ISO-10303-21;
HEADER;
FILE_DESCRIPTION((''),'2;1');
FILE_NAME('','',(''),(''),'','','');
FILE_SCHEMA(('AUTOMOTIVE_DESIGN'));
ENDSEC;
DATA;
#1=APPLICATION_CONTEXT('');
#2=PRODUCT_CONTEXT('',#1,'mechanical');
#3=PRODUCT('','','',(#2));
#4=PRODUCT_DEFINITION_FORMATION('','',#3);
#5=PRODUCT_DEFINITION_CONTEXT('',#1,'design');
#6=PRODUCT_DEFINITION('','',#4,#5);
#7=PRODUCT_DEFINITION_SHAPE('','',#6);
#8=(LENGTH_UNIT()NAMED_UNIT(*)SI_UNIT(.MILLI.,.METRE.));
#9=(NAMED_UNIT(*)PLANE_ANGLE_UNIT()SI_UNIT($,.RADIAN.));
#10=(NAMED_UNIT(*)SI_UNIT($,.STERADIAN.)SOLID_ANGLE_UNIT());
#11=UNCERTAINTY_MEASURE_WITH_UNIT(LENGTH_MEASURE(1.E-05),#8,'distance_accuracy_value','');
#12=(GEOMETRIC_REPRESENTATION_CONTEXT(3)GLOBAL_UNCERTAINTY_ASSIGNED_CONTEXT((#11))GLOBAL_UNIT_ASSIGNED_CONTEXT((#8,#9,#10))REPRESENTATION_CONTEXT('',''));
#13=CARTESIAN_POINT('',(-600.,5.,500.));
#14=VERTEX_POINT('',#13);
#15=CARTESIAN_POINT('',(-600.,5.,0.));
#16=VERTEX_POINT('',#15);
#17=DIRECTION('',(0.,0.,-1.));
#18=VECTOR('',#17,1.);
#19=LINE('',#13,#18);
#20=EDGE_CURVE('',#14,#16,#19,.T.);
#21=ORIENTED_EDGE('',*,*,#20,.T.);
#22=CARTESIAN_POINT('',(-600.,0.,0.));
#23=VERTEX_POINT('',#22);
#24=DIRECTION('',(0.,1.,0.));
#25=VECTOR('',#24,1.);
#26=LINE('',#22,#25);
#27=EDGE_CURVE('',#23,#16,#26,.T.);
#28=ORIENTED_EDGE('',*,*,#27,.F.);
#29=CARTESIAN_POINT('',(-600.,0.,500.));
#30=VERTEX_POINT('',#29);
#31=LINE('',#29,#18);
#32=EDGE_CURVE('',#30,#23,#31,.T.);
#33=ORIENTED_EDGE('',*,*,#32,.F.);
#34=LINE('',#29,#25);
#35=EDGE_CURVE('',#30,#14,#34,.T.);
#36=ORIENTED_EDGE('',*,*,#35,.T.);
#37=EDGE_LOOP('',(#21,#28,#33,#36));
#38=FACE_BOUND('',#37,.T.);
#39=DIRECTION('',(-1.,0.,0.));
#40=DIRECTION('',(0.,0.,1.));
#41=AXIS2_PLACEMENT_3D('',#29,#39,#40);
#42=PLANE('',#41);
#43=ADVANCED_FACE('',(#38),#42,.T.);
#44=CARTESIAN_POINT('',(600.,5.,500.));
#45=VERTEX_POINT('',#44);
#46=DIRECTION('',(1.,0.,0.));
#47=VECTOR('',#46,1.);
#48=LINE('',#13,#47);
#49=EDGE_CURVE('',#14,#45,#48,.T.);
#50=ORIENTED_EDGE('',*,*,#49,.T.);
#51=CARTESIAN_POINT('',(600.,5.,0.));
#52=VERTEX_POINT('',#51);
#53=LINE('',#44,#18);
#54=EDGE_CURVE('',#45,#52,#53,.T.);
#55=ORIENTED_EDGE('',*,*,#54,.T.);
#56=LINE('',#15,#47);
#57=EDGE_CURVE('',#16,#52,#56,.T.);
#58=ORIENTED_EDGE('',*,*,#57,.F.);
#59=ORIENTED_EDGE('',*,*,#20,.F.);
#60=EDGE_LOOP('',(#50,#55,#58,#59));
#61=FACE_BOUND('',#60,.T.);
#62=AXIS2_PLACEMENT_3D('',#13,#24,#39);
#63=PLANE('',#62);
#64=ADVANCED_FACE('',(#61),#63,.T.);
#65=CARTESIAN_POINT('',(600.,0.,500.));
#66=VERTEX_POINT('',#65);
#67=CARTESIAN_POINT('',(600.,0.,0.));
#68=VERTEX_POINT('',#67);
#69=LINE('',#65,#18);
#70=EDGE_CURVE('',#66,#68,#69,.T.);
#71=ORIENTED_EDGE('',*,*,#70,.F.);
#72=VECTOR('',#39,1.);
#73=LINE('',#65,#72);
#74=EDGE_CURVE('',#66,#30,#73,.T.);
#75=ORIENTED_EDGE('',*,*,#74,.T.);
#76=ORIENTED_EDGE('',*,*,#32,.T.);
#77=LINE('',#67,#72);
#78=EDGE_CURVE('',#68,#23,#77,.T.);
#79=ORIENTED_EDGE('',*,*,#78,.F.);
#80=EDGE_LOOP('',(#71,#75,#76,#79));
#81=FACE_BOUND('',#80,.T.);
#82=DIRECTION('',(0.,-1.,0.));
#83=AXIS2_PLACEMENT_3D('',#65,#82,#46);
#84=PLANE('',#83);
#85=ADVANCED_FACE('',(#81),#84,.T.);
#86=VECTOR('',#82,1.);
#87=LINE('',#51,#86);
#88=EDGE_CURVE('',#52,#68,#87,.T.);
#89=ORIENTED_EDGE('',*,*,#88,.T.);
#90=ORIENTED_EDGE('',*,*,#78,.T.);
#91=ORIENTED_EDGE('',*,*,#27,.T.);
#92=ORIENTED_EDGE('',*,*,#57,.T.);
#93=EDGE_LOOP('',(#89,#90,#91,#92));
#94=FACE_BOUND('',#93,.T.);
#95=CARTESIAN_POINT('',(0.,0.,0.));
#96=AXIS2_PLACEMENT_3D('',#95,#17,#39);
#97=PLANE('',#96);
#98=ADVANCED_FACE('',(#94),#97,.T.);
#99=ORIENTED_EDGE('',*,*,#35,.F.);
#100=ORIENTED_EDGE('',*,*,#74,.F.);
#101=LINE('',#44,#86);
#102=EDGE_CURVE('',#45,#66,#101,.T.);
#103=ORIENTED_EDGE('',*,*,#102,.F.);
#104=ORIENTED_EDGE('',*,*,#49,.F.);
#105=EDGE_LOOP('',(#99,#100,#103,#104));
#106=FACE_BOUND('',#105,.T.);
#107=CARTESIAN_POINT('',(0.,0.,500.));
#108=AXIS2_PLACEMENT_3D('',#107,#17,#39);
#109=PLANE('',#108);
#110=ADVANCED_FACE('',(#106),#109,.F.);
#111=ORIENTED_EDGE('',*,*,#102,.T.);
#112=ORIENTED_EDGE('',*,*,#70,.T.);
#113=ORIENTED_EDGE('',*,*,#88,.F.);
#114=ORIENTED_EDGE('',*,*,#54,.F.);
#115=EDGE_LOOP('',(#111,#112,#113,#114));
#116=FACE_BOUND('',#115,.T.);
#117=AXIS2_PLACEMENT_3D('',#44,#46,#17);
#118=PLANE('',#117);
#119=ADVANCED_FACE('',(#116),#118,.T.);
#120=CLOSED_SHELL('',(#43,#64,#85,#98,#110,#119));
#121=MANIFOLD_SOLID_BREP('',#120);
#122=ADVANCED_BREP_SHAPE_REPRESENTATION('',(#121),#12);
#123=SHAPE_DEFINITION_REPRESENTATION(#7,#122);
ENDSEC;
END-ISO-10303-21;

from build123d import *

# Parameters (mm, degrees)
ESQUISSE1_W        = 1200
ESQUISSE1_H        = 5
BOSS_EXTRU_1_DEPTH = 500


with BuildPart() as part:
    # Esquisse1 → Boss.-Extru.1 (new body)
    with BuildSketch(Plane.XY):
        with Locations((0, 2.5)):
            Rectangle(ESQUISSE1_W, ESQUISSE1_H)
    extrude(amount=BOSS_EXTRU_1_DEPTH)


solid = part.part
